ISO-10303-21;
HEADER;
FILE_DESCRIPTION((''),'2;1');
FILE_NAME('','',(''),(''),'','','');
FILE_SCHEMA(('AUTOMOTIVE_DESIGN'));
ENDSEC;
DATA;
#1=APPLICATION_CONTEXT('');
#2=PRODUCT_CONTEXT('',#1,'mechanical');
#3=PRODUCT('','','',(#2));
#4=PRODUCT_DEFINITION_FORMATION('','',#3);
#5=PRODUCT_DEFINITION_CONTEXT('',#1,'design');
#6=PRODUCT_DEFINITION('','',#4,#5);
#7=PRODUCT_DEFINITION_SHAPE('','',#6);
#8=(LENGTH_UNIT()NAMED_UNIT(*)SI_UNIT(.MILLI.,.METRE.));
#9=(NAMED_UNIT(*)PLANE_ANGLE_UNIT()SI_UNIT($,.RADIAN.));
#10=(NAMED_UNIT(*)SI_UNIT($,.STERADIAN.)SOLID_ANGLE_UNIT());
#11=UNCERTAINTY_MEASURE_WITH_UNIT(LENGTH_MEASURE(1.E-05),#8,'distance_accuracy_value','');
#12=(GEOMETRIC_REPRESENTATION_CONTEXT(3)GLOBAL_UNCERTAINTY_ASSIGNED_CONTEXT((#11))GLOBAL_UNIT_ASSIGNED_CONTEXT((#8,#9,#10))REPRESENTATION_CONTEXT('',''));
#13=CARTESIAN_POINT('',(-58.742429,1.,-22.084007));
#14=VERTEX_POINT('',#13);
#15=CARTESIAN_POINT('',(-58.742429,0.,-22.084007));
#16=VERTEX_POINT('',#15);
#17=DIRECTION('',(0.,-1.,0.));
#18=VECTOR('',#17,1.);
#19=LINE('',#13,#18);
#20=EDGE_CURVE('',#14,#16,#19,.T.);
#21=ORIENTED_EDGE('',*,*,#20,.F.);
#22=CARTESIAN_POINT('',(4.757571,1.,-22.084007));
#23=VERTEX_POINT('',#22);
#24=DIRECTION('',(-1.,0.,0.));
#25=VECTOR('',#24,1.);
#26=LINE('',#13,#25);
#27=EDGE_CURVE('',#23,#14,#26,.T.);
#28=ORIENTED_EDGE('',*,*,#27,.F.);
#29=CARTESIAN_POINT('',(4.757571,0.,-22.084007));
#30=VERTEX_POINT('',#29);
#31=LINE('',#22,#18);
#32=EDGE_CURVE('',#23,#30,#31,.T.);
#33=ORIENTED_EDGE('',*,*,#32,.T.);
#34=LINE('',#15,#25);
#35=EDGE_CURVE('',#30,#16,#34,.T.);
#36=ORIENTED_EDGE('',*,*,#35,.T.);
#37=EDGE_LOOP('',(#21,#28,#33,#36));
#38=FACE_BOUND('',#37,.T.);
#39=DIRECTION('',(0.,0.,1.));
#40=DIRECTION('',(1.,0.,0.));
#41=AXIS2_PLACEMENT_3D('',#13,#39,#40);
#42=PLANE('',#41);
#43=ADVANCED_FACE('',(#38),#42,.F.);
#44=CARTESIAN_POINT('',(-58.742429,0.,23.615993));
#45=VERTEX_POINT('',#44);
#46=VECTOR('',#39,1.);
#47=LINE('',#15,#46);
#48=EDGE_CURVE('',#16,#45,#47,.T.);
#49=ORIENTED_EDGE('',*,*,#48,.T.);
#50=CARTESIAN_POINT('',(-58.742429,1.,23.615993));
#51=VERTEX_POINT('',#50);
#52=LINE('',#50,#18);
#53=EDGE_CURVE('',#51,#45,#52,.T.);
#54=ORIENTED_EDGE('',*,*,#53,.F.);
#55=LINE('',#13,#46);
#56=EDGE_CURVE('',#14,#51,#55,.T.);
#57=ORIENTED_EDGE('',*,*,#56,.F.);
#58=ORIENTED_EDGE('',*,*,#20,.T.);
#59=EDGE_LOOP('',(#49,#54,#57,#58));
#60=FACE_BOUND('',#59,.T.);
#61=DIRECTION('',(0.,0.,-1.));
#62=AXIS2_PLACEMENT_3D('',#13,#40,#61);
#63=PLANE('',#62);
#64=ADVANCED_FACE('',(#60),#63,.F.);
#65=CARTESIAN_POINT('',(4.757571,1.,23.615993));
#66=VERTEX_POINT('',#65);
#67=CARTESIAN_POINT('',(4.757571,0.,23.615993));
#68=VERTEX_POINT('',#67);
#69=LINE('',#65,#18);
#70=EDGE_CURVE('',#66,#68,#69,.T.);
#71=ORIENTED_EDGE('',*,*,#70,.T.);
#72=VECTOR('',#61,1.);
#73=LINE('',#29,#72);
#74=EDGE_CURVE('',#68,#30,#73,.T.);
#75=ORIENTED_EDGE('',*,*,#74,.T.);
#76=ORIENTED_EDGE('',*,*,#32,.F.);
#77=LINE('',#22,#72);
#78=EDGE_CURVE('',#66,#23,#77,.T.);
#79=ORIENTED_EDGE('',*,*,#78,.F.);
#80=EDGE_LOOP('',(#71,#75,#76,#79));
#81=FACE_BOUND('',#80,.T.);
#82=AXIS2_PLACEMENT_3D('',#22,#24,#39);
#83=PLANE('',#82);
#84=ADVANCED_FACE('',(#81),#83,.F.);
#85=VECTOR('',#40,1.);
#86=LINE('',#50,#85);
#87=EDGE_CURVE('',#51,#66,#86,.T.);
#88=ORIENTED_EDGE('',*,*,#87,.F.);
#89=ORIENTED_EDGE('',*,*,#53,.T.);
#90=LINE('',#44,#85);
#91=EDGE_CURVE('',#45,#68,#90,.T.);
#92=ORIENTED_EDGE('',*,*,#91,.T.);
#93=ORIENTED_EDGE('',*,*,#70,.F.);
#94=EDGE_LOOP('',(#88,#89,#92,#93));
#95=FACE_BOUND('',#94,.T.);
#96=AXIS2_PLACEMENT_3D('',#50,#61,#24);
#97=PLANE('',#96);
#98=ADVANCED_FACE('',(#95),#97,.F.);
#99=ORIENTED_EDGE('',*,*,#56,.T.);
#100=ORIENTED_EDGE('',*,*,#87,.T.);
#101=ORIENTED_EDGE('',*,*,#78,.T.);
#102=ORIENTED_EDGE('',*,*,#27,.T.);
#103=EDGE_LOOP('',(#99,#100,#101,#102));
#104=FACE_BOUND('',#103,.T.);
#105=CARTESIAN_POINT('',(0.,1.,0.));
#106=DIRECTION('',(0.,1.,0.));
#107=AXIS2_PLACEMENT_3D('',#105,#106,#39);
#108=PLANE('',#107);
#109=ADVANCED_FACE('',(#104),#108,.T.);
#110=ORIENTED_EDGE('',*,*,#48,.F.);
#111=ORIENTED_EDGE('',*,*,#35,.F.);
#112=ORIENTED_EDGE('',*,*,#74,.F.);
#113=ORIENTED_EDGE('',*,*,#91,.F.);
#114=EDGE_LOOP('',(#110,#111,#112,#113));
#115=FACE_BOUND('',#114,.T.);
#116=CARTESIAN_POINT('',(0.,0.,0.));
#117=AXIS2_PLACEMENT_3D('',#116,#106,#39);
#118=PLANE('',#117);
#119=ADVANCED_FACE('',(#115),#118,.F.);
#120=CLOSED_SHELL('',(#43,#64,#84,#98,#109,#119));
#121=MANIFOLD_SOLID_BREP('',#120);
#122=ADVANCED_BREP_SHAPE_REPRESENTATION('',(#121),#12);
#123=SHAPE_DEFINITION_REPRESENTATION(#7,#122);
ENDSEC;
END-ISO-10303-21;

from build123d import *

# Parameters (mm, degrees)
SKETCH1_W           = 63.5
SKETCH1_H           = 45.7
BOSS_EXTRUDE1_DEPTH = 1


with BuildPart() as part:
    # Sketch1 → Boss-Extrude1 (new body)
    with BuildSketch(Plane(origin=(0, 0, 0), x_dir=(1, 0, 0), z_dir=(0, 1, 0))):
        with Locations((-26.992429349, -0.765992904)):
            Rectangle(SKETCH1_W, SKETCH1_H)
    extrude(amount=BOSS_EXTRUDE1_DEPTH)


solid = part.part
